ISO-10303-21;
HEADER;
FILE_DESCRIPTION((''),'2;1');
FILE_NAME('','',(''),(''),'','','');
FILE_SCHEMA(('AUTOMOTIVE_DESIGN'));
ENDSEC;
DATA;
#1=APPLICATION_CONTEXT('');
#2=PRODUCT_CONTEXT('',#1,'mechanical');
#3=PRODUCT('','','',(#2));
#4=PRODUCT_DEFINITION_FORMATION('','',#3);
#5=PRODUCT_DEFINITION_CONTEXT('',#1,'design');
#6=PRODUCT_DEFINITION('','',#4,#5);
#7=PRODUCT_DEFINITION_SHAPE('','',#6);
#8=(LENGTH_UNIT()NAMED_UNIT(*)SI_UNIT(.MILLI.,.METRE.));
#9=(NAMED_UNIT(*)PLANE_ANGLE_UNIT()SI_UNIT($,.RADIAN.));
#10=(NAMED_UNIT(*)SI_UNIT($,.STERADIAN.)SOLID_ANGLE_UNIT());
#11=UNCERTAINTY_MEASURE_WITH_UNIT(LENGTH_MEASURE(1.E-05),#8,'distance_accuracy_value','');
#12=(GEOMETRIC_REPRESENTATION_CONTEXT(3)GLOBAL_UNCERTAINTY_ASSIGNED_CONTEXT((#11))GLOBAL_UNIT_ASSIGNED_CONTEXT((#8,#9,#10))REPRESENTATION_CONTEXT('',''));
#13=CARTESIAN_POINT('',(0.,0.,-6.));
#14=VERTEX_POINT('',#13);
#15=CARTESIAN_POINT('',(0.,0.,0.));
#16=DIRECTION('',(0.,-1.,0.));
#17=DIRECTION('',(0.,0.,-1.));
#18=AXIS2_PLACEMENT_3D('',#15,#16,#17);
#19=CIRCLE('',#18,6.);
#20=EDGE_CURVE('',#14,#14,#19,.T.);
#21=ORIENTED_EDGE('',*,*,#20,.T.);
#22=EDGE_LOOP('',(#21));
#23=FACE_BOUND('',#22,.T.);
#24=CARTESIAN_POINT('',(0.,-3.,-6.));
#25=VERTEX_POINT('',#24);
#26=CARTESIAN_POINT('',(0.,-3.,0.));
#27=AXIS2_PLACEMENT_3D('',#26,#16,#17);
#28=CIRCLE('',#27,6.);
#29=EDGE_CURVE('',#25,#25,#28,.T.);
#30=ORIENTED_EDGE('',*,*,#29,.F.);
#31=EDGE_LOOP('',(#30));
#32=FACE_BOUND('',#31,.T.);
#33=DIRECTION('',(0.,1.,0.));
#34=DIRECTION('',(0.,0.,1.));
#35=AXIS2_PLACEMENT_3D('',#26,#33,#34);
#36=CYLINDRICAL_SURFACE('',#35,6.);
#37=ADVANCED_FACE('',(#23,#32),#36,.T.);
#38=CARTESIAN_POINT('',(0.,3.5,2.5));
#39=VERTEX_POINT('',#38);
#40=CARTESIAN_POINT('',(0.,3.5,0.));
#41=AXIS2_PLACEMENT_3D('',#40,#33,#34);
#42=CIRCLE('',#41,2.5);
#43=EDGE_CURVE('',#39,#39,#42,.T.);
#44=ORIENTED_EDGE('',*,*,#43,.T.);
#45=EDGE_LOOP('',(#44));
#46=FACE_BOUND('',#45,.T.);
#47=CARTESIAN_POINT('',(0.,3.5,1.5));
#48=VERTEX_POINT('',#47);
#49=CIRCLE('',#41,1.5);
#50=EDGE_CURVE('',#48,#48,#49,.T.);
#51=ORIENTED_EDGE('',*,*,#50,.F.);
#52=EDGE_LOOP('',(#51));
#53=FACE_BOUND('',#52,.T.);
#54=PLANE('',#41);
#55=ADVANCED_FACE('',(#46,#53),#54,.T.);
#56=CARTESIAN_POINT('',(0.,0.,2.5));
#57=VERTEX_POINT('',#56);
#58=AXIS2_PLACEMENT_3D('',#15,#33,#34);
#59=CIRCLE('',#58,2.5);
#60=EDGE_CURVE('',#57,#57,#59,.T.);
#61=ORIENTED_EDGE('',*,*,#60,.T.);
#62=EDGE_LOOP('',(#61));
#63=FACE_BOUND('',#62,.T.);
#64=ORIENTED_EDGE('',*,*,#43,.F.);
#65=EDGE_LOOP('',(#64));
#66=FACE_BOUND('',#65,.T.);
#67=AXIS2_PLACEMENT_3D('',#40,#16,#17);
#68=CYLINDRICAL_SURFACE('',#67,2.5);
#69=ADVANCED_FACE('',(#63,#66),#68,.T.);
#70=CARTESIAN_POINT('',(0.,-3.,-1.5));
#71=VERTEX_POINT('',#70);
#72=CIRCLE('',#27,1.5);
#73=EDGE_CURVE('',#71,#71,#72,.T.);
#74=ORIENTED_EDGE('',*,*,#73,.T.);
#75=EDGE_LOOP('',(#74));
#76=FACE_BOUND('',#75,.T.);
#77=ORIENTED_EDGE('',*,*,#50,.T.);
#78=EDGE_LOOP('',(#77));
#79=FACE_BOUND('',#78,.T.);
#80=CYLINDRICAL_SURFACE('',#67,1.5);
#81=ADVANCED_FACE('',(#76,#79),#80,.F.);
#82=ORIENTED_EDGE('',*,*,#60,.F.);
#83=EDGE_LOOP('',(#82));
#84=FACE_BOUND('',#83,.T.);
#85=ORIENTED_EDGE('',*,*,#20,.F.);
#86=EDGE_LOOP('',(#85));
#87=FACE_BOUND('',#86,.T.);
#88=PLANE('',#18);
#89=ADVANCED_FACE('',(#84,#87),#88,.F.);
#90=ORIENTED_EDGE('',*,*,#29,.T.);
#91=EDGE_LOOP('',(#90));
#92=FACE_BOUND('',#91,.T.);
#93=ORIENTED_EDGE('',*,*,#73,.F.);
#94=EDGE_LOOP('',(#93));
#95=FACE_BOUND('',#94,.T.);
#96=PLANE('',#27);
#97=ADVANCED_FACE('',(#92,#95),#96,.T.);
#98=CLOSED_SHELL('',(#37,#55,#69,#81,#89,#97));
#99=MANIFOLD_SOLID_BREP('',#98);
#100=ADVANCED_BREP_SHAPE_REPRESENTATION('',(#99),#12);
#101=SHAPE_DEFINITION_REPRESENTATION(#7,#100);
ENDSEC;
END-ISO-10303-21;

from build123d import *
from build123d.topology import SkipClean

# Parameters (mm, degrees)
SKETCH_1_R      = 2.5
SKETCH_1_R_2    = 1.5
EXTRUDE_1_DEPTH = 3.5
EXTRUDE_START   = 3
SKETCH_2_R      = 6
SKETCH_2_R_2    = 1.5
EXTRUDE_2_DEPTH = 3


with BuildPart() as part:
    # 草图1 → 凸台-拉伸1 (new body)
    with BuildSketch(Plane(origin=(0, 0, 0), x_dir=(1, 0, 0), z_dir=(0, 1, 0))):
        with Locations(Location((0, 0, 0), (0, 0, 270))):
            Circle(SKETCH_1_R)
        with Locations(Location((0, 0, 0), (0, 0, 270))):
            Circle(SKETCH_1_R_2, mode=Mode.SUBTRACT)
    extrude(amount=EXTRUDE_1_DEPTH)

    # 草图2 → 凸台-拉伸2 (add)
    with SkipClean():  # the faces are left unmerged after this step: merging them gives an invalid solid
        with BuildSketch(Plane.XZ.offset(EXTRUDE_START)):
            with Locations(Location((0, 0, 0), (0, 0, 270))):
                Circle(SKETCH_2_R)
            with Locations(Location((0, 0, 0), (0, 0, 270))):
                Circle(SKETCH_2_R_2, mode=Mode.SUBTRACT)
        extrude(amount=-EXTRUDE_2_DEPTH)


solid = part.part
